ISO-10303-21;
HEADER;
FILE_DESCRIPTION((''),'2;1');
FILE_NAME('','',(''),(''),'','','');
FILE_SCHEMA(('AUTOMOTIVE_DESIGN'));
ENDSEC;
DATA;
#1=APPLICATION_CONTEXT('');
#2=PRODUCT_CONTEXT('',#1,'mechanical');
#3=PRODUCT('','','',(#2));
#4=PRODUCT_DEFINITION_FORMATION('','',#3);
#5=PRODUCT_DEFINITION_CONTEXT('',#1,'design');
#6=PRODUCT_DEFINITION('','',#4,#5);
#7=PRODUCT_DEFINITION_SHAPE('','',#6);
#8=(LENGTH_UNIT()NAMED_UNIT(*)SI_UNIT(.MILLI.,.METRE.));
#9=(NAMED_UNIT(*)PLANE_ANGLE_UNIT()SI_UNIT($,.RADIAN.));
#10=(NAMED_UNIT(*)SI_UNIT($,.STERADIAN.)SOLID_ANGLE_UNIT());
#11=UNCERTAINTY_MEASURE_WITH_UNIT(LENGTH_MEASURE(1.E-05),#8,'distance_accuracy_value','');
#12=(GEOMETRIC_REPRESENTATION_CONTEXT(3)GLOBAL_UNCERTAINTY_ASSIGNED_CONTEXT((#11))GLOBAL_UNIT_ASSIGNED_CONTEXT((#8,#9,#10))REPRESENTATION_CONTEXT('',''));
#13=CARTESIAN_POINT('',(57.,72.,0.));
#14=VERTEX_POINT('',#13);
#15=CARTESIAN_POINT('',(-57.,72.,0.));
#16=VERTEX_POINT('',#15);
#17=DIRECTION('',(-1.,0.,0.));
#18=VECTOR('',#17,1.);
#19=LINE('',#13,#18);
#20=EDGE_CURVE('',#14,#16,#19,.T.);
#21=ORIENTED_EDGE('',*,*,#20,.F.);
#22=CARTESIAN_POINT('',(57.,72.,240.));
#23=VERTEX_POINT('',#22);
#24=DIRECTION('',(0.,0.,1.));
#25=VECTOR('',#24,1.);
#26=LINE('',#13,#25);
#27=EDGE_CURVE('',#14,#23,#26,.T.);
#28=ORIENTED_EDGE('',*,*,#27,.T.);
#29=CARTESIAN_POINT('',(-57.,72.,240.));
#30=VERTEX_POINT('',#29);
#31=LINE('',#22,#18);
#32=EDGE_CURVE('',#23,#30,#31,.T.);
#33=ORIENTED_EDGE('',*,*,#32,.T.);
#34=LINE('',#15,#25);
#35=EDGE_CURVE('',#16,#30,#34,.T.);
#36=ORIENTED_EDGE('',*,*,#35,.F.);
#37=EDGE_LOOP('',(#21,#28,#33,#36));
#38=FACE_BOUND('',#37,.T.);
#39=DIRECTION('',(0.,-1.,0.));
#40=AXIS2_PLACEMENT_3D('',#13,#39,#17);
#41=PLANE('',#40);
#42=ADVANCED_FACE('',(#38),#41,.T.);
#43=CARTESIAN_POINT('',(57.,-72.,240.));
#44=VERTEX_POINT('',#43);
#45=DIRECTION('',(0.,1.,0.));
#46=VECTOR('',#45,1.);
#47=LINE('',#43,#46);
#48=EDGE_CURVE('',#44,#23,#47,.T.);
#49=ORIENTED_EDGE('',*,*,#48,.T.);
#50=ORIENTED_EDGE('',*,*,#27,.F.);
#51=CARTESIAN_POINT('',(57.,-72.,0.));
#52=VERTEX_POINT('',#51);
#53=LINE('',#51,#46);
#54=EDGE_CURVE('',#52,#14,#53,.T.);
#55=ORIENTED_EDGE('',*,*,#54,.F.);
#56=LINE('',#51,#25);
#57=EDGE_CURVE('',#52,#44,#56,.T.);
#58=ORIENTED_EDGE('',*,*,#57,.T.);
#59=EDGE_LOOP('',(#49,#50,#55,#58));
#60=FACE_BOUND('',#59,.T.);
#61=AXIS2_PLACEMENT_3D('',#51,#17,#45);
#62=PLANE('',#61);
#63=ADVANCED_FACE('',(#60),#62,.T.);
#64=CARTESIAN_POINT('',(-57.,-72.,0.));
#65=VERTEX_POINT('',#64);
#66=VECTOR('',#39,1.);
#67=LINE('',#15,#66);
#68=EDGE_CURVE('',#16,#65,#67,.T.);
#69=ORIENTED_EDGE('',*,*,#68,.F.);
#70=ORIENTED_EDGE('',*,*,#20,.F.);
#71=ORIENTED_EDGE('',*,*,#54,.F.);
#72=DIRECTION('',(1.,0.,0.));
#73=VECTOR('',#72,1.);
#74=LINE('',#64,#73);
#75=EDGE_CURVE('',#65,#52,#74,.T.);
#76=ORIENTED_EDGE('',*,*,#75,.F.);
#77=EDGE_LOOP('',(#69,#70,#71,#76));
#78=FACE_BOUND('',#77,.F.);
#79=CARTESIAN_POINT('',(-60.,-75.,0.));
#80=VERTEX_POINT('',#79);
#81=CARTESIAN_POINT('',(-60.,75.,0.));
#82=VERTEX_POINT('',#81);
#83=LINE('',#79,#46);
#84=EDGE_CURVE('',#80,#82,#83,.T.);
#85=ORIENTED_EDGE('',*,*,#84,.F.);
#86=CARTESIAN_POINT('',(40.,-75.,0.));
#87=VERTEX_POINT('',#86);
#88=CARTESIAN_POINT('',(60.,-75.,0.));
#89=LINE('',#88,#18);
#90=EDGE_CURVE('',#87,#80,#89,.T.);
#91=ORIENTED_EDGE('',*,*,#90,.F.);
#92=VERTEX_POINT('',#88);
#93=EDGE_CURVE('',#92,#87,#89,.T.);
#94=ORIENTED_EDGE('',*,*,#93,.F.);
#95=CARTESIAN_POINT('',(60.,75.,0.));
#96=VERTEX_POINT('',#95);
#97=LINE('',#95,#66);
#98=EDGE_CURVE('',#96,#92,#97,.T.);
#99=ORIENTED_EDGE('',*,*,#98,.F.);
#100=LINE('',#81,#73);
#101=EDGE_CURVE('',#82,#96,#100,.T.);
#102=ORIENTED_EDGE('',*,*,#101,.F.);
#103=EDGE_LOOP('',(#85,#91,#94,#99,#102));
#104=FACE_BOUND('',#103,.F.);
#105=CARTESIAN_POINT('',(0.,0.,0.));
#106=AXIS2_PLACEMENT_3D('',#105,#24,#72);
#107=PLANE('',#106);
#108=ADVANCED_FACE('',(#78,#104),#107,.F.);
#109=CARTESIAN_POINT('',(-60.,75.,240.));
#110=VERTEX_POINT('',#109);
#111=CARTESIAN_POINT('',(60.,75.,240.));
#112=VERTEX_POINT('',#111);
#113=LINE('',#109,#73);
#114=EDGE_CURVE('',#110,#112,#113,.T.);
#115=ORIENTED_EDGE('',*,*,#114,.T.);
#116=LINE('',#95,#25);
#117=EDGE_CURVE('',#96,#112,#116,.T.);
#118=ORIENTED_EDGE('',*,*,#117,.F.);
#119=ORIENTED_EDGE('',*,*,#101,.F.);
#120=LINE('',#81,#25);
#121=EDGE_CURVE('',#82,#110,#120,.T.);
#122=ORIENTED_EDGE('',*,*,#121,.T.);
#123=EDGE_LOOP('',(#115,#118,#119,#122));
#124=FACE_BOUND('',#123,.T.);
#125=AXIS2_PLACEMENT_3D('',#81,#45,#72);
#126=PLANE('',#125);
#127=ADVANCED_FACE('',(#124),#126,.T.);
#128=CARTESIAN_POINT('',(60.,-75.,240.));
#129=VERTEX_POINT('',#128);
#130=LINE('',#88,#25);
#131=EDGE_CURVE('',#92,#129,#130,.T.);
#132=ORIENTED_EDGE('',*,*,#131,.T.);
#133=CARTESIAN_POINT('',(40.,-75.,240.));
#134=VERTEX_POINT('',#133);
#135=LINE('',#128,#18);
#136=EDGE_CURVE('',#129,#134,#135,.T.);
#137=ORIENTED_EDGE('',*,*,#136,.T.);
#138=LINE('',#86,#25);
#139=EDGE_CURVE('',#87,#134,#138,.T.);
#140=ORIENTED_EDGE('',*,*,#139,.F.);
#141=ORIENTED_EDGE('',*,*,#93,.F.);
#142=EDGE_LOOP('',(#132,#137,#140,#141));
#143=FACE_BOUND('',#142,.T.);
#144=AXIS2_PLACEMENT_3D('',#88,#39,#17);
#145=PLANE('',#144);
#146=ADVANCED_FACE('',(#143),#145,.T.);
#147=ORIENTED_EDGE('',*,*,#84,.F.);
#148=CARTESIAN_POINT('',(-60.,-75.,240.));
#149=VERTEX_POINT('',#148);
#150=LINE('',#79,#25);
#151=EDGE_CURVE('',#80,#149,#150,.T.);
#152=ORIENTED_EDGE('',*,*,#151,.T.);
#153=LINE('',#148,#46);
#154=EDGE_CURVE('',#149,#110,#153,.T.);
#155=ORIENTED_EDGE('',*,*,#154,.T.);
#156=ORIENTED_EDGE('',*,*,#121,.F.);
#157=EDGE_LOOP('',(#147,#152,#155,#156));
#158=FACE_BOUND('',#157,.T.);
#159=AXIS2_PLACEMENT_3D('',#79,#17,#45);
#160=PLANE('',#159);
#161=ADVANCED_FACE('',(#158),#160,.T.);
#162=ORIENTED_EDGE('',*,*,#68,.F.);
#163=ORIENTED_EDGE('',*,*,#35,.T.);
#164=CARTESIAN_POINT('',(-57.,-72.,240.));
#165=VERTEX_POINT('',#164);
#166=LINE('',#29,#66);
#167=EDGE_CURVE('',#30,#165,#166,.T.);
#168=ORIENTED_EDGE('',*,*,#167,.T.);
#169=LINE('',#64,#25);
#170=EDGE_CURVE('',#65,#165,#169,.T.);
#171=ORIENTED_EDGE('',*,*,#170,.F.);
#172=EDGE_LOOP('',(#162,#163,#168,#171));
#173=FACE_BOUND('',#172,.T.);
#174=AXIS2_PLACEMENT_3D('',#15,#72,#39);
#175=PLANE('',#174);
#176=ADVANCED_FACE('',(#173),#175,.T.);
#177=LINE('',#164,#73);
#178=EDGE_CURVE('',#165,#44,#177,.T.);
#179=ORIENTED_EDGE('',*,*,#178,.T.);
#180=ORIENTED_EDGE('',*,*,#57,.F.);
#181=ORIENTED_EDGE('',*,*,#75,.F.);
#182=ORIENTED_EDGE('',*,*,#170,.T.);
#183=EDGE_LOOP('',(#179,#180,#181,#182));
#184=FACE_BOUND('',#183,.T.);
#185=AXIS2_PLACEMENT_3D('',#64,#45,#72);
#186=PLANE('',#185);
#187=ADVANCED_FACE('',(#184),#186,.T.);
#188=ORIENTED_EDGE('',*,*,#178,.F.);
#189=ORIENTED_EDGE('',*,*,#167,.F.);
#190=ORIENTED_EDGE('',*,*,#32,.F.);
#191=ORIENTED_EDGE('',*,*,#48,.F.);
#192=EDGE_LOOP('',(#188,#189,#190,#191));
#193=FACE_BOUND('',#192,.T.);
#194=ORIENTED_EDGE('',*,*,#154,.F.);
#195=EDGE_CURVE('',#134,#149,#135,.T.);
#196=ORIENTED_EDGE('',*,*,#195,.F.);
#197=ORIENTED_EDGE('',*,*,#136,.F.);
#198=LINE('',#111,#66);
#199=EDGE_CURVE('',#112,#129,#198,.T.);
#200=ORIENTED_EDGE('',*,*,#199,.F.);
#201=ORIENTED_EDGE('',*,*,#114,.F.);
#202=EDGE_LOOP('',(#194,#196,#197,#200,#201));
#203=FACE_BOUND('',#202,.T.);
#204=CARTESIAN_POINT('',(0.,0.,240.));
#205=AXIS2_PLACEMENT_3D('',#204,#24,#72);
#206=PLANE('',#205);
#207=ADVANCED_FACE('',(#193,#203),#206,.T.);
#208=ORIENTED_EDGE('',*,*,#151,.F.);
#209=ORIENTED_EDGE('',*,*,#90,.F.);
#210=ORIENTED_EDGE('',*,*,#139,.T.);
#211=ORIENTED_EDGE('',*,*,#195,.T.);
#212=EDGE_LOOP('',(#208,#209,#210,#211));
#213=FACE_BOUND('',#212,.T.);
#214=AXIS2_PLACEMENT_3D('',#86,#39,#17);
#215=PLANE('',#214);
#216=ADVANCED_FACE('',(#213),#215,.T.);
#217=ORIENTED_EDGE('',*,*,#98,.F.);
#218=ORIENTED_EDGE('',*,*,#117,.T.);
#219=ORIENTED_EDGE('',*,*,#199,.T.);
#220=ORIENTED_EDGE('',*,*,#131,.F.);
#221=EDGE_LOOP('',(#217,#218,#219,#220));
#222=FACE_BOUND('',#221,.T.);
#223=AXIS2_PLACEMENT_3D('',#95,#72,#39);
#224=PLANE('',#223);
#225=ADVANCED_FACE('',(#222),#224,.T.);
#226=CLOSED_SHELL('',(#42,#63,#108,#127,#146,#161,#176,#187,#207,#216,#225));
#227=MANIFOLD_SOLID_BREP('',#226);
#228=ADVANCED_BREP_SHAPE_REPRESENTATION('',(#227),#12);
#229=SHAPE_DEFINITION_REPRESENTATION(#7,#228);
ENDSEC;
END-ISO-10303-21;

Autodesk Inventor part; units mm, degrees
ref_plane "YZ Plane" through (0, 0, 0) normal (1, 0, 0) x (0, 1, 0)
ref_plane "XZ Plane" through (0, 0, 0) normal (0, 1, 0) x (-1, 0, 0)
ref_plane "XY Plane" through (0, 0, 0) normal (0, 0, 1) x (1, 0, 0)
sketch "Sketch1" plane through (0, 0, 0) normal (0, 0, 1) x (1, 0, 0)
  line L0 (-60, 75) -> (60, 75)
  line L1 (60, 75) -> (60, -75)
  line L2 (60, -75) -> (-60, -75)
  line L3 (-60, -75) -> (-60, 75)
  line L4 (-60, 75) -> (60, -75) construction
  line L5 (60, 75) -> (-60, -75) construction
  line L6 (60, 75) -> (60, -75) projected
  line L7 (40, -75) -> (-60, -75) projected
  line L8 (57, -72) -> (57, 72)
  line L9 (57, 72) -> (-57, 72)
  line L10 (-57, 72) -> (-57, -72)
  line L11 (-57, -72) -> (57, -72)
  point P0 (0, 0)
  dimension "d0" = 3
extrude "Extrusion1" add sketch "Sketch1" along normal blind 240
properties part number "Reflector"
